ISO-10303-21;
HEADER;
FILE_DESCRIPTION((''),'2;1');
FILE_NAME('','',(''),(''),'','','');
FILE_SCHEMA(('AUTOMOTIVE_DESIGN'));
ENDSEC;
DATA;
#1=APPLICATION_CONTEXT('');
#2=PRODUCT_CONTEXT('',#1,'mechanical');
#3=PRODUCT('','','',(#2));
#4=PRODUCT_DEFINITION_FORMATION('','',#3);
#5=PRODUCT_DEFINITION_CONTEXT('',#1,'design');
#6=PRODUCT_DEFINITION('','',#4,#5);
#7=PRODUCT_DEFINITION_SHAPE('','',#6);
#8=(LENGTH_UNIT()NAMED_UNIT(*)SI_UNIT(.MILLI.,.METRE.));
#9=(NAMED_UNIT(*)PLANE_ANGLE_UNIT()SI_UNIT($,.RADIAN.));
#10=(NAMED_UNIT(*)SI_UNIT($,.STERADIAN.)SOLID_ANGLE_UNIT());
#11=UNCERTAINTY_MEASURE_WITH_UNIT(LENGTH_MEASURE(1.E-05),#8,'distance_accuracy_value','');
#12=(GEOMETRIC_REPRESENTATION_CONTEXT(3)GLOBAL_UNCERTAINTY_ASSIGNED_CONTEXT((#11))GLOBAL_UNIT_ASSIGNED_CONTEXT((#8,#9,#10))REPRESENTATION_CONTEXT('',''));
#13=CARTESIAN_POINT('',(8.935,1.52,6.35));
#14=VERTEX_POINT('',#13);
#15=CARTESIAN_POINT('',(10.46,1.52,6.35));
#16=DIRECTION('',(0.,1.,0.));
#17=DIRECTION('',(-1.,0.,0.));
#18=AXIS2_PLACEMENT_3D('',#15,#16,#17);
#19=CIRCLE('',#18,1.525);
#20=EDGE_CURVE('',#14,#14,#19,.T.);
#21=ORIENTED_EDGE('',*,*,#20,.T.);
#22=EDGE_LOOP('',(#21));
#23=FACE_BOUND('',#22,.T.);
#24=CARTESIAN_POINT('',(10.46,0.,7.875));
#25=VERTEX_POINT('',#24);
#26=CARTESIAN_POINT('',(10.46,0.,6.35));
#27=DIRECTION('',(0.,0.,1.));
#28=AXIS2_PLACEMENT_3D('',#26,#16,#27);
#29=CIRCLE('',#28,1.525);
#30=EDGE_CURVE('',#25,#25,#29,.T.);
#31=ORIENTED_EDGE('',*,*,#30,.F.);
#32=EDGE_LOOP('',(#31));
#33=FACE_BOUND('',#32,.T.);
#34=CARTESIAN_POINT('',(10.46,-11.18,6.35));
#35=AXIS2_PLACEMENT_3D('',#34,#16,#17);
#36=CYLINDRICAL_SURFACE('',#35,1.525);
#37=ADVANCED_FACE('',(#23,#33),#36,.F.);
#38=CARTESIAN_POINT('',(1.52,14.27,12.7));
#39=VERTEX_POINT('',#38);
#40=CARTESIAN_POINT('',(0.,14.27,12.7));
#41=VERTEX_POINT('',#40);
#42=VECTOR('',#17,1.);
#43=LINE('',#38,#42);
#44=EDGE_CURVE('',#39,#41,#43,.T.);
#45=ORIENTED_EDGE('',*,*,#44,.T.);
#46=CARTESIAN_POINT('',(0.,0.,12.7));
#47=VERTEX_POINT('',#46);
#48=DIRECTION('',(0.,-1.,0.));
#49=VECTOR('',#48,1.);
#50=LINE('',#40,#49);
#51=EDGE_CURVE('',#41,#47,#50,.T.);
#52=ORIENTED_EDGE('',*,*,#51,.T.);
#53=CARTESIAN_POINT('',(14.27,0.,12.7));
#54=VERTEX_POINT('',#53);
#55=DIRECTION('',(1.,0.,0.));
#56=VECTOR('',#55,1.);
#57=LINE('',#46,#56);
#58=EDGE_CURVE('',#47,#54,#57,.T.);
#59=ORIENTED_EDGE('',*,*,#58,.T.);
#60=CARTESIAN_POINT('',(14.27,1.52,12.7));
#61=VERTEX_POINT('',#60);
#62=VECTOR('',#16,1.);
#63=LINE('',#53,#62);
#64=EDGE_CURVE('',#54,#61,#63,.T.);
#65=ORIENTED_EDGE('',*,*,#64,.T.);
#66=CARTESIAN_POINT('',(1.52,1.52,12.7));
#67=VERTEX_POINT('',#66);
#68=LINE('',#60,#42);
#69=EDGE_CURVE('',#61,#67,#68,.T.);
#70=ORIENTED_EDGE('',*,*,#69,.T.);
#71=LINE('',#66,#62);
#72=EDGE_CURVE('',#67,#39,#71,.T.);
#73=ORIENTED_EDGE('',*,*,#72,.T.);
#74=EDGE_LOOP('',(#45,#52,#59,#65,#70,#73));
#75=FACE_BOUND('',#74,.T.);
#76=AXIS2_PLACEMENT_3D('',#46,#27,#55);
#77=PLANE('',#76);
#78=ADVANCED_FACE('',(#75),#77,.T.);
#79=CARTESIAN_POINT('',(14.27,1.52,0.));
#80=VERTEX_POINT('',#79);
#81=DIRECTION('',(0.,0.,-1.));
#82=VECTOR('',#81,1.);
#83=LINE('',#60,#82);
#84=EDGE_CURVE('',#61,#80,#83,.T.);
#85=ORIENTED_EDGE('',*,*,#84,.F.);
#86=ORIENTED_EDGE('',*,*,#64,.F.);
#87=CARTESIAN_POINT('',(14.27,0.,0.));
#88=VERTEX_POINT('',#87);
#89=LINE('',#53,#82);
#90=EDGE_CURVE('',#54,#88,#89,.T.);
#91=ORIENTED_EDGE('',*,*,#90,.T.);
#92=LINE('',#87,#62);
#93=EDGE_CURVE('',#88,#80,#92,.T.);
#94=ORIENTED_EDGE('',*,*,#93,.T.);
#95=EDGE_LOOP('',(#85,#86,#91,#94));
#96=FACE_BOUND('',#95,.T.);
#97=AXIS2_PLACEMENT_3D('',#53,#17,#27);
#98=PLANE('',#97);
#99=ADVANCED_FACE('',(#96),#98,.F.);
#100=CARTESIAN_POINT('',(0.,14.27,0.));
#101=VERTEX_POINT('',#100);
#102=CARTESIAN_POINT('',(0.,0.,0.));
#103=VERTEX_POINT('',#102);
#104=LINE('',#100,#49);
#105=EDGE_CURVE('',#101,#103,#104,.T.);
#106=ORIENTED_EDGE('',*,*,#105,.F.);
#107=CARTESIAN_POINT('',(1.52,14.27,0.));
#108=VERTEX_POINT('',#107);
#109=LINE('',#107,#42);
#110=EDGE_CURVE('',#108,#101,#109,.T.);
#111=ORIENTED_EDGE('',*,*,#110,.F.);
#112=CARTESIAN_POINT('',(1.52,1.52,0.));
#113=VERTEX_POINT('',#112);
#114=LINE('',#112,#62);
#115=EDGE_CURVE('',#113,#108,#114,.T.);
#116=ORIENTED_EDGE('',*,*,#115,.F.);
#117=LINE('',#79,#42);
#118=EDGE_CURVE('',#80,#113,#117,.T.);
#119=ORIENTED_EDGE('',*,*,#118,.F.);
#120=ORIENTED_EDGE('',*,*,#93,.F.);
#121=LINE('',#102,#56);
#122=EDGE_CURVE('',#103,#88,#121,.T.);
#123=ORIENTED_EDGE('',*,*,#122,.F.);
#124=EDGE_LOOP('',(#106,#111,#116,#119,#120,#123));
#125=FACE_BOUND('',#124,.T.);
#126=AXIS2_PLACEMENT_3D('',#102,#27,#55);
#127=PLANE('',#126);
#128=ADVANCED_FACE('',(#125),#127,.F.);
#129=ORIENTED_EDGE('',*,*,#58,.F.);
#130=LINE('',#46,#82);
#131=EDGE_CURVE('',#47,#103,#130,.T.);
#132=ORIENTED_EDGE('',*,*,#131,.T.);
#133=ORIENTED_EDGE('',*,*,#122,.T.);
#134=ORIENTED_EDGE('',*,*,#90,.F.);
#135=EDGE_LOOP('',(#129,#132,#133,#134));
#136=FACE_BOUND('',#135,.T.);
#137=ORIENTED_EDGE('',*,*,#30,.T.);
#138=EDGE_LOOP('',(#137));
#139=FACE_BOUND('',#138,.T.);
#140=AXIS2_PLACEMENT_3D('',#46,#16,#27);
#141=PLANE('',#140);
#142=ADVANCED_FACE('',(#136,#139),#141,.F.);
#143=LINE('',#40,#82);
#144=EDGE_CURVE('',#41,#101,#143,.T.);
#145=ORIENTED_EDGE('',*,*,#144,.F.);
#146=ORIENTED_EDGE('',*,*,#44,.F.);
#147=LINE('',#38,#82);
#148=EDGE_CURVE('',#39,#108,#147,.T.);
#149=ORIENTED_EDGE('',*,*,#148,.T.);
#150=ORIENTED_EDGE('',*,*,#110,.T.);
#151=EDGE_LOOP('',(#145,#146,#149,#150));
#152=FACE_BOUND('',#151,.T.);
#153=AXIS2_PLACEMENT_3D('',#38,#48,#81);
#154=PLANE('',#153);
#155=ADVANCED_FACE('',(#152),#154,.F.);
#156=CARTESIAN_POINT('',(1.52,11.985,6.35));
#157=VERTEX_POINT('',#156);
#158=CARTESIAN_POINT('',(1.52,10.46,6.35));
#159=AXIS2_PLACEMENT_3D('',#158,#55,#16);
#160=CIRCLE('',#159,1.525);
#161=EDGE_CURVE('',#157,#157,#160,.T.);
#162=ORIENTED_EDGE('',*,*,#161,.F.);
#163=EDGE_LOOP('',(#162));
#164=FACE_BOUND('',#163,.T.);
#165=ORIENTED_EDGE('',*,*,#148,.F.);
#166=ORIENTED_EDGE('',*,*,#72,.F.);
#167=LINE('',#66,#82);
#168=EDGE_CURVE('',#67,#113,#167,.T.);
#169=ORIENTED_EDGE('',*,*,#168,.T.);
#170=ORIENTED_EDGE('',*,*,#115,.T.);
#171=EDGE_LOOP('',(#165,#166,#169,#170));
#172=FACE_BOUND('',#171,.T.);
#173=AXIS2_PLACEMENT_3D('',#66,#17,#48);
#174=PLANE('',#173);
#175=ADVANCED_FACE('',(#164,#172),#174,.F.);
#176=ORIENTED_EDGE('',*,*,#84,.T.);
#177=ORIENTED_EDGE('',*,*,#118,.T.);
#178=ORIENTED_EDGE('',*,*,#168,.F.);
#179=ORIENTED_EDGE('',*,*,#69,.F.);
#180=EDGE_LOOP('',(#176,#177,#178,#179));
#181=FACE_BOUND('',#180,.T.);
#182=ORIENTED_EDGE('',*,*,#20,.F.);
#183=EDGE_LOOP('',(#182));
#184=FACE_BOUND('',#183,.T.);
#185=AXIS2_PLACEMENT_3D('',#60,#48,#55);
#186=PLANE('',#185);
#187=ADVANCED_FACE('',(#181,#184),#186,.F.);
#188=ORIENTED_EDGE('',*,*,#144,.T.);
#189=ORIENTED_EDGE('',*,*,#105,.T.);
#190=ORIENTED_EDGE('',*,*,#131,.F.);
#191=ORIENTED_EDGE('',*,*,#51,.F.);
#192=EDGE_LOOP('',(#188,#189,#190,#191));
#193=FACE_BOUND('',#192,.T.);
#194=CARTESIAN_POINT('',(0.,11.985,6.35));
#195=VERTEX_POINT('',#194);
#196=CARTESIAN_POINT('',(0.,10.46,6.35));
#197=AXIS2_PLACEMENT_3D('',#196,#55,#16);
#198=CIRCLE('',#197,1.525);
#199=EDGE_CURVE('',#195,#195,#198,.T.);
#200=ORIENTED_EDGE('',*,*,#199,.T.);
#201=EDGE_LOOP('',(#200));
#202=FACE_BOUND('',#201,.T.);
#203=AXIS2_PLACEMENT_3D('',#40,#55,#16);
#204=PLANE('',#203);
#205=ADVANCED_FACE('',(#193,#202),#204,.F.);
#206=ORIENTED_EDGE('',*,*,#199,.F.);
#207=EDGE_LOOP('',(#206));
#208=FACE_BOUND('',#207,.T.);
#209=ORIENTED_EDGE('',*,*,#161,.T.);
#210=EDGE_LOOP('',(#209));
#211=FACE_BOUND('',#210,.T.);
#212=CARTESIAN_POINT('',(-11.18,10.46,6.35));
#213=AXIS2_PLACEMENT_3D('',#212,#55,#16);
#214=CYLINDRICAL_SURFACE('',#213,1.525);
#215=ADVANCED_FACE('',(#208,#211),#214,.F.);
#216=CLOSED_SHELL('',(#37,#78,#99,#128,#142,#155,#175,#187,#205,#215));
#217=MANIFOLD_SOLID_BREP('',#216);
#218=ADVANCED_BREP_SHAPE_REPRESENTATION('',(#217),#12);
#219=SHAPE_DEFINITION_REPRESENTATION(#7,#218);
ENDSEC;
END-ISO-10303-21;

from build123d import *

# Parameters (mm, degrees)
BOSS_EXTRU_1_DEPTH      = 12.7
ESQUISSE2_R             = 1.525
ENL_V_MAT_EXTRU_1_DEPTH = 12.7
ESQUISSE3_R             = 1.525
ENL_V_MAT_EXTRU_2_DEPTH = 12.7


with BuildPart() as part:
    # Esquisse1 → Boss.-Extru.1 (new body)
    with BuildSketch(Plane.XY):
        Polygon((0, 0), (14.27, 0), (14.27, 1.52), (1.52, 1.52), (1.52, 14.27), (0, 14.27), align=None)
    extrude(amount=BOSS_EXTRU_1_DEPTH)

    # Esquisse2 → Enlèv. mat.-Extru.1 (cut)
    with BuildSketch(Plane(origin=(1.52, 0, 0), x_dir=(0, 0, -1), z_dir=(1, 0, 0))):
        with Locations(Location((-6.35, 10.46, 0), (0, 0, 90))):
            Circle(ESQUISSE2_R)
    extrude(amount=-ENL_V_MAT_EXTRU_1_DEPTH, mode=Mode.SUBTRACT)

    # Esquisse3 → Enlèv. mat.-Extru.2 (cut)
    with BuildSketch(Plane(origin=(0, 1.52, 0), x_dir=(1, 0, 0), z_dir=(0, 1, 0))):
        with Locations(Location((10.46, -6.35, 0), (0, 0, 180))):
            Circle(ESQUISSE3_R)
    extrude(amount=-ENL_V_MAT_EXTRU_2_DEPTH, mode=Mode.SUBTRACT)


solid = part.part
